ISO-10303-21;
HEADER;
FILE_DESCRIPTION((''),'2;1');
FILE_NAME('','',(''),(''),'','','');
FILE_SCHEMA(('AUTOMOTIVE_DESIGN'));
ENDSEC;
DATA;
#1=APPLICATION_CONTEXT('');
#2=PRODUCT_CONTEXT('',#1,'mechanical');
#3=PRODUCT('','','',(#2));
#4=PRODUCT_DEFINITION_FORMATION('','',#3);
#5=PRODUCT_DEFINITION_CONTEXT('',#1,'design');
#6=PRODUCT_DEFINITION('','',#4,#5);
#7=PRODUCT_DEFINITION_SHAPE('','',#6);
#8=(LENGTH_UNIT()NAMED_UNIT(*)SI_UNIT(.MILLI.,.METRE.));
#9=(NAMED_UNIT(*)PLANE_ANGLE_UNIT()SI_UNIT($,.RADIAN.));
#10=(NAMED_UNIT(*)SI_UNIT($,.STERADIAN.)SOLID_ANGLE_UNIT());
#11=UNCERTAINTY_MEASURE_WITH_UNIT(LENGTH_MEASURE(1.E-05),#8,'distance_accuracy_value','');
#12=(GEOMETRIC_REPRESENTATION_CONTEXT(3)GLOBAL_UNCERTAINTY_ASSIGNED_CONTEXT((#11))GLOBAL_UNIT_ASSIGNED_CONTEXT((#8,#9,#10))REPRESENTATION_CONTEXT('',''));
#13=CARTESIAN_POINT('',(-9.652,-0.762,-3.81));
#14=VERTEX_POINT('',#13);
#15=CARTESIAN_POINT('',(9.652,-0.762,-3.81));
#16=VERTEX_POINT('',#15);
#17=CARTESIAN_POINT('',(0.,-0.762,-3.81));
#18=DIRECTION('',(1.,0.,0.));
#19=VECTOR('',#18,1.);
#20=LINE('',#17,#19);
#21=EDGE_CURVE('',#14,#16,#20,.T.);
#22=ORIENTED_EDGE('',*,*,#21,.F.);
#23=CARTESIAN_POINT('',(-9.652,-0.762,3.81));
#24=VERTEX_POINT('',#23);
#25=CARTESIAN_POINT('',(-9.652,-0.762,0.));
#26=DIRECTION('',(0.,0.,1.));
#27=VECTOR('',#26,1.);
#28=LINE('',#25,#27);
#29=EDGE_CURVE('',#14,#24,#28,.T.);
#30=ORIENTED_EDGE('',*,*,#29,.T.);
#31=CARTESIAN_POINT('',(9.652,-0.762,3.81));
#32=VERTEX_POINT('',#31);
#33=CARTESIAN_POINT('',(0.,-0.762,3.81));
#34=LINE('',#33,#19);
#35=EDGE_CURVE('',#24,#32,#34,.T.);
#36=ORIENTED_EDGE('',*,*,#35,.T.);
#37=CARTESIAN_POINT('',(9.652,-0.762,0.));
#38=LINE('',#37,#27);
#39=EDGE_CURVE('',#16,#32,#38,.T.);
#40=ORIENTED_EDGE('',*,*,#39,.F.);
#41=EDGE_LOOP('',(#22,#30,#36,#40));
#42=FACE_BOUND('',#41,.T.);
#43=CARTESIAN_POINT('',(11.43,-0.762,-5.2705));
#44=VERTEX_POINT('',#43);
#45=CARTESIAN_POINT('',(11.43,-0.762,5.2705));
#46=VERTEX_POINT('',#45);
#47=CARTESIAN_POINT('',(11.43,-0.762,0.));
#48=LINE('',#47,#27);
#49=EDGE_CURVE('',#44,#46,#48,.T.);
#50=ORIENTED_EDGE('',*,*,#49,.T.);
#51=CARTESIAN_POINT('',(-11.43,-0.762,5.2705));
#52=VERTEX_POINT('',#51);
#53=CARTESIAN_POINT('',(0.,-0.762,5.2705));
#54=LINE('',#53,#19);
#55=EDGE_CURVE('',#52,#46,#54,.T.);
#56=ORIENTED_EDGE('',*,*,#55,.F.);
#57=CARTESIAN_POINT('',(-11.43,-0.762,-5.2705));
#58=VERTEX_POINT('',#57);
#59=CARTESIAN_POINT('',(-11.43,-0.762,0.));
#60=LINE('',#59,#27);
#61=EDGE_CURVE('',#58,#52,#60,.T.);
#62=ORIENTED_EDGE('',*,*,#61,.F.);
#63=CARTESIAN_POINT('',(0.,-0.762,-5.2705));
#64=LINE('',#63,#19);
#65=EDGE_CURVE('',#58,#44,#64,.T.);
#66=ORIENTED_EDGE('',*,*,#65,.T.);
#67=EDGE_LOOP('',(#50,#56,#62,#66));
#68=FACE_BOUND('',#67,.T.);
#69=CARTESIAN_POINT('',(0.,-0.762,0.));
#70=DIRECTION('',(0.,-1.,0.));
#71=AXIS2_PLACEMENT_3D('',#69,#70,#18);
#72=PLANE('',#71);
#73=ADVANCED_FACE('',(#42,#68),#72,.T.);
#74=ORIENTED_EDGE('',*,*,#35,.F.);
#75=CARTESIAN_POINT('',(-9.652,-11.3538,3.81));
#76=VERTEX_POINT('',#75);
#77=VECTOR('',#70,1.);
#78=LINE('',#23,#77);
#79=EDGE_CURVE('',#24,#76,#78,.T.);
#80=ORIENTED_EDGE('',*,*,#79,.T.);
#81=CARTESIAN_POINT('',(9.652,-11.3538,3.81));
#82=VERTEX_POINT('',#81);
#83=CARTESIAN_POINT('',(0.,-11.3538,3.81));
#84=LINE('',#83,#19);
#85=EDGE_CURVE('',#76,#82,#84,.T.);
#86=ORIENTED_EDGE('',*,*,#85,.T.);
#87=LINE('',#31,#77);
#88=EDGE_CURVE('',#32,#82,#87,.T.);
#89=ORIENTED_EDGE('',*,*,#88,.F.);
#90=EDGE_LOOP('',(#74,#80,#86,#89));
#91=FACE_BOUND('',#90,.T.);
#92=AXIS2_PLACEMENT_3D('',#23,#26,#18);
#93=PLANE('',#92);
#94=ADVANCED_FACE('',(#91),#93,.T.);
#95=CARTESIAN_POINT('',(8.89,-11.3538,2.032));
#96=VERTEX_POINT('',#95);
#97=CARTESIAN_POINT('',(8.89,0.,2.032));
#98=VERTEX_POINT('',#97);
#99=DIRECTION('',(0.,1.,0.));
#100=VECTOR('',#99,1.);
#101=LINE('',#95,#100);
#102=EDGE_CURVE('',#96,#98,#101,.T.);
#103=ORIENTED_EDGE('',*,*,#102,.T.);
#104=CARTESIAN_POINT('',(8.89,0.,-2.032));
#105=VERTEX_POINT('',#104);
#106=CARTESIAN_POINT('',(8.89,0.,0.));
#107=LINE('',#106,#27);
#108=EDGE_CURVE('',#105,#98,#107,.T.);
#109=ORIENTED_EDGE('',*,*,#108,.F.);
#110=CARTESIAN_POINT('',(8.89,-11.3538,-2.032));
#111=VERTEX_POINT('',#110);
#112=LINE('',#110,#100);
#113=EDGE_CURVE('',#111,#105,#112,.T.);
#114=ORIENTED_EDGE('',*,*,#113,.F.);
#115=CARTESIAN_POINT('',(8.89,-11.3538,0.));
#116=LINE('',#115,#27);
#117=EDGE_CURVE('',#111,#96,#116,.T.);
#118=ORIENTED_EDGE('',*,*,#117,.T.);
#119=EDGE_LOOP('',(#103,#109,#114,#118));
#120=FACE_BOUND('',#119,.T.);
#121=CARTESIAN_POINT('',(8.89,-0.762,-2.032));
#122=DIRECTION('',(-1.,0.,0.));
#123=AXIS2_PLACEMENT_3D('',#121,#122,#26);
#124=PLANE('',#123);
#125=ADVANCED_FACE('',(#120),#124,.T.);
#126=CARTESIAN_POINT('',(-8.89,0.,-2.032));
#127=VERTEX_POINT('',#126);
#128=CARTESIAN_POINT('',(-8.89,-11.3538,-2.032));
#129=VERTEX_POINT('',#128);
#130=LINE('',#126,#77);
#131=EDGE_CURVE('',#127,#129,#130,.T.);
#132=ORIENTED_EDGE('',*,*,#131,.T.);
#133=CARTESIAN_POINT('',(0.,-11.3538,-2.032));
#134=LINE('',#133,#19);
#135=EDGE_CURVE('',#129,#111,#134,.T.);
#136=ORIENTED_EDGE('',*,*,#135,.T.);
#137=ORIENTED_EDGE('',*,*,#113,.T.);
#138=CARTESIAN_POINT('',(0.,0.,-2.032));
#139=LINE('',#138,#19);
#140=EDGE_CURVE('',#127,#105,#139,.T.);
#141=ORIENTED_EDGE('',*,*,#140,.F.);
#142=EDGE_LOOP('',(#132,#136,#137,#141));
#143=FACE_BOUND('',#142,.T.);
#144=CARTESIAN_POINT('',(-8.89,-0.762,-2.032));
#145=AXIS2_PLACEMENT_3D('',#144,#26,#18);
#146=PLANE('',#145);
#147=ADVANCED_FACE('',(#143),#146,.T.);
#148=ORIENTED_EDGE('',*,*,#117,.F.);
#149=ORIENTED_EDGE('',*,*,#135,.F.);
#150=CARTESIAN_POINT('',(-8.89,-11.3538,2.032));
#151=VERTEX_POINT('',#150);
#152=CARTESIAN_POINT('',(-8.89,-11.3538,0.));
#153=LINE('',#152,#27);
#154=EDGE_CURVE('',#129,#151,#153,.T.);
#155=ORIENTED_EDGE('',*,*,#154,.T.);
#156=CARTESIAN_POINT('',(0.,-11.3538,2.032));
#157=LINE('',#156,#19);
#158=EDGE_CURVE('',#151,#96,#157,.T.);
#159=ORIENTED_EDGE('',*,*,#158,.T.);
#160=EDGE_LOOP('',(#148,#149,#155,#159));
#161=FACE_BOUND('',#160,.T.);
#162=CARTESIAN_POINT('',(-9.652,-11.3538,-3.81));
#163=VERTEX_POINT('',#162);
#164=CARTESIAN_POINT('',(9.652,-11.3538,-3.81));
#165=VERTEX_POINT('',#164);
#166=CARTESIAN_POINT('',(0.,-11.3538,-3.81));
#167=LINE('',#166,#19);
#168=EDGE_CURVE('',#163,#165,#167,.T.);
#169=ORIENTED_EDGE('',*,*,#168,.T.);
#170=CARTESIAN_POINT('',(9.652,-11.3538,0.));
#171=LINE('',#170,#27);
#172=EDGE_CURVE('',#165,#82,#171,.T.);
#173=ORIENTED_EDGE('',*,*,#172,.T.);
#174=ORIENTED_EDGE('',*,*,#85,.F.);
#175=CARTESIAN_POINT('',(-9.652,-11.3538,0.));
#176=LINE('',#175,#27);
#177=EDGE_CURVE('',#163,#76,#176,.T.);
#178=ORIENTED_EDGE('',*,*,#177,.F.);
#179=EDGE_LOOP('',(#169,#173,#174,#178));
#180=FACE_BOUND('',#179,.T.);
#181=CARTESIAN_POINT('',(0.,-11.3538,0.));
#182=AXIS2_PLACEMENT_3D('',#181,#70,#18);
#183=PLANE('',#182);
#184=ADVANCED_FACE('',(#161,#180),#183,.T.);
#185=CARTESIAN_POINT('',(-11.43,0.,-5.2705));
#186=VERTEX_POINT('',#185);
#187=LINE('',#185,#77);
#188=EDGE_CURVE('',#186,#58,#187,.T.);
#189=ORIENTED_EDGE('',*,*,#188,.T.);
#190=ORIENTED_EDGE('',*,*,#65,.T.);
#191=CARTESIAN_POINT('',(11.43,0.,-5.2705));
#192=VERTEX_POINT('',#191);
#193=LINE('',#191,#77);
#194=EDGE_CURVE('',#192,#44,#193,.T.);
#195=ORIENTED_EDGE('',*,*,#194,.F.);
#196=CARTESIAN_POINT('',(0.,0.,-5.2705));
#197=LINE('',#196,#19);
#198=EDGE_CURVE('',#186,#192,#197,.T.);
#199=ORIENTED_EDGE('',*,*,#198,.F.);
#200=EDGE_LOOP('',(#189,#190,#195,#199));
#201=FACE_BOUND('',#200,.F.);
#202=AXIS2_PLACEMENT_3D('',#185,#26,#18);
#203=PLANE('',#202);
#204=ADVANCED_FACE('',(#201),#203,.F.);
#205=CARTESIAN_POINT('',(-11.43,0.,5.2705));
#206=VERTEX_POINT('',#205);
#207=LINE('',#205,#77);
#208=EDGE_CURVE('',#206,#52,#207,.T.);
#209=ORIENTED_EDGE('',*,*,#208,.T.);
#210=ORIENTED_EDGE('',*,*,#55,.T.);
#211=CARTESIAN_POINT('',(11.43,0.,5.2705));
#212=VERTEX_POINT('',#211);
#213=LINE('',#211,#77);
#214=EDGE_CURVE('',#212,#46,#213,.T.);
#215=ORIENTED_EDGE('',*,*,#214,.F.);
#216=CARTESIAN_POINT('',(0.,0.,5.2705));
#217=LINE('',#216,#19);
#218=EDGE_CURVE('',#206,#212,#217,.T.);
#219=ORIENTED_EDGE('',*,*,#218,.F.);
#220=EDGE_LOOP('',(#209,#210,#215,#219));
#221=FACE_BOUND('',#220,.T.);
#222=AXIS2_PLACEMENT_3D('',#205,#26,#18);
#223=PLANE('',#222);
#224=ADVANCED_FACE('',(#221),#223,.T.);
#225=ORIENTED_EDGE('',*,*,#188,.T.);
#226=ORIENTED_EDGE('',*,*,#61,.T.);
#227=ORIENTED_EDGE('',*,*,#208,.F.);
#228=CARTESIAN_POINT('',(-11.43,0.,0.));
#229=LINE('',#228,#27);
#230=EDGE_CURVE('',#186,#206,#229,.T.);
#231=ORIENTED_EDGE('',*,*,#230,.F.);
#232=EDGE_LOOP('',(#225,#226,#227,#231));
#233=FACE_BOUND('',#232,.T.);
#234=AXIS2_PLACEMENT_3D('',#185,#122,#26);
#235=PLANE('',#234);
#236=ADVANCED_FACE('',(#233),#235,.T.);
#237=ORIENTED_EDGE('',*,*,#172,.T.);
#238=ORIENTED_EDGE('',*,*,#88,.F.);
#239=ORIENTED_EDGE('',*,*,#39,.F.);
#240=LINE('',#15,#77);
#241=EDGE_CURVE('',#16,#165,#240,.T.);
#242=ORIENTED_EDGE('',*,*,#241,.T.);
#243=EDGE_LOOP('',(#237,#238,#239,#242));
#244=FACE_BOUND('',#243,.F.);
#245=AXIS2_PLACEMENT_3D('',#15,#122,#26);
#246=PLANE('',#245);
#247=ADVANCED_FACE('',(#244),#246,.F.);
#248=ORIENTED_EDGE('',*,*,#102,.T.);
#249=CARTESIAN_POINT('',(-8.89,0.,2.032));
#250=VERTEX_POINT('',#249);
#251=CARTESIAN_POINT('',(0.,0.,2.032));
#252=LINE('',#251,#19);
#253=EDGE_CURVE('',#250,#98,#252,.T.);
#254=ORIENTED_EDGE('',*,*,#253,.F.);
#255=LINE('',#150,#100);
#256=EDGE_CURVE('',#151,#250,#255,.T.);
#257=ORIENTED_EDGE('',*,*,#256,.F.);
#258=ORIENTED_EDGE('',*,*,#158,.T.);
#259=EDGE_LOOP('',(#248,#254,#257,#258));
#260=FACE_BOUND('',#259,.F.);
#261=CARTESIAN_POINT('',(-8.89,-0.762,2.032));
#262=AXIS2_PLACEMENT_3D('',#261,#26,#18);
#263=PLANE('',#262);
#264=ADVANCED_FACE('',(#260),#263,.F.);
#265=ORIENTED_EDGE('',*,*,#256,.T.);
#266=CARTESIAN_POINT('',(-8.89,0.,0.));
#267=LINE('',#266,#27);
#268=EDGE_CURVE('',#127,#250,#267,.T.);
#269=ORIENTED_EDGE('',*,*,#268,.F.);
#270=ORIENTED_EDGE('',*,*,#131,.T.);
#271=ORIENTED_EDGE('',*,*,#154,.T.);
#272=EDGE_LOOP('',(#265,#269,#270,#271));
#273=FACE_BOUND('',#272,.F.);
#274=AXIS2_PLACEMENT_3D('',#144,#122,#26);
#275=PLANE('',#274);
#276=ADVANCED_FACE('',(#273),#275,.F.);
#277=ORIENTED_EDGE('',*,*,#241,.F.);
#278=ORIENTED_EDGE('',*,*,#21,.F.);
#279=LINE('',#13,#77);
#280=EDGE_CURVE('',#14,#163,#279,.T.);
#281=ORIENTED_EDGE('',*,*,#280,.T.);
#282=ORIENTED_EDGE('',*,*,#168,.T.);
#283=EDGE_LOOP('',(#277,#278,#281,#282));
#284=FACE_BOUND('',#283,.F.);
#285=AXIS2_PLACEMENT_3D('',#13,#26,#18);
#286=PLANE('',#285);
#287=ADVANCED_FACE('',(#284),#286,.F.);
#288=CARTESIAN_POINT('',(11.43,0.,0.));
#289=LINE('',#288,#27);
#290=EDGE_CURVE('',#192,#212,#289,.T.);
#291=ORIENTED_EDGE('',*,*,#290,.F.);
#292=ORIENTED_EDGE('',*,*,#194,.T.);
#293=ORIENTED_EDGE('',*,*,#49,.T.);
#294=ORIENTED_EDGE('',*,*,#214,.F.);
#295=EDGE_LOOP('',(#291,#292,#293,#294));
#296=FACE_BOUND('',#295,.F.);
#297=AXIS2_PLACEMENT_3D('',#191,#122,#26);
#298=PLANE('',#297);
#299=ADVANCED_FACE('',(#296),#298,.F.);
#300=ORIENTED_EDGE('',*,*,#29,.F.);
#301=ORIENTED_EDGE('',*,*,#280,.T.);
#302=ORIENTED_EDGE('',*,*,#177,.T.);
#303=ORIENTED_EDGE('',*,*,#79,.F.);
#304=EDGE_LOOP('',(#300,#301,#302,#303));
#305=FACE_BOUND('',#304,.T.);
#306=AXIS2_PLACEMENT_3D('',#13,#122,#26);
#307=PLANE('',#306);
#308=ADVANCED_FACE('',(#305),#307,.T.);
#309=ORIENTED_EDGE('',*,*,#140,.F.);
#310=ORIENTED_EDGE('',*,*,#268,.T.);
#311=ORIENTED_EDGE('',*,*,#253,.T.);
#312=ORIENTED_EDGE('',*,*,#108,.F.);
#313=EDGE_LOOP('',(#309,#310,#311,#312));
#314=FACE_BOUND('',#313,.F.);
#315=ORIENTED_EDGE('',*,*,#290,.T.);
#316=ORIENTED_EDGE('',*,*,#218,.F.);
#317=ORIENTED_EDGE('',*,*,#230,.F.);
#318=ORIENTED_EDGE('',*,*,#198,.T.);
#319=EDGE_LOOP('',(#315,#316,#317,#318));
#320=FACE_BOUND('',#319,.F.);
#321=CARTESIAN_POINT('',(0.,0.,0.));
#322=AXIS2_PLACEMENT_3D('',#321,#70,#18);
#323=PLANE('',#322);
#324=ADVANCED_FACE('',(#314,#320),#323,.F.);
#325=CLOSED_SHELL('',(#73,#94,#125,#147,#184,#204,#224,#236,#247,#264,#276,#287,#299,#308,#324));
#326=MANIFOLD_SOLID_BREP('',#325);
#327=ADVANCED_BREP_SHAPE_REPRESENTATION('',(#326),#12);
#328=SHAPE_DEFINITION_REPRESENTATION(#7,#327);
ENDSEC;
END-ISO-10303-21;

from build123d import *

# Parameters (mm, degrees)
F0_W     = 22.86
F0_H     = 10.541
F0_W_2   = 17.78
F0_H_2   = 4.064
F1_DEPTH = 0.762
F2_W     = 19.304
F2_H     = 7.62
F2_W_2   = 17.78
F2_H_2   = 4.064
F3_DEPTH = 10.5918


with BuildPart() as f1:
    # F0 (on Front) → F1 (new body)
    with BuildSketch(Plane.XZ):
        Rectangle(F0_W, F0_H)
        Rectangle(F0_W_2, F0_H_2, mode=Mode.SUBTRACT)
    extrude(amount=F1_DEPTH)

    # F2 (on face) → F3 (join)
    with BuildSketch(Plane.XZ.offset(0.762)):
        Rectangle(F2_W, F2_H)
        Rectangle(F2_W_2, F2_H_2, mode=Mode.SUBTRACT)
    extrude(amount=F3_DEPTH)


solid = f1.part
